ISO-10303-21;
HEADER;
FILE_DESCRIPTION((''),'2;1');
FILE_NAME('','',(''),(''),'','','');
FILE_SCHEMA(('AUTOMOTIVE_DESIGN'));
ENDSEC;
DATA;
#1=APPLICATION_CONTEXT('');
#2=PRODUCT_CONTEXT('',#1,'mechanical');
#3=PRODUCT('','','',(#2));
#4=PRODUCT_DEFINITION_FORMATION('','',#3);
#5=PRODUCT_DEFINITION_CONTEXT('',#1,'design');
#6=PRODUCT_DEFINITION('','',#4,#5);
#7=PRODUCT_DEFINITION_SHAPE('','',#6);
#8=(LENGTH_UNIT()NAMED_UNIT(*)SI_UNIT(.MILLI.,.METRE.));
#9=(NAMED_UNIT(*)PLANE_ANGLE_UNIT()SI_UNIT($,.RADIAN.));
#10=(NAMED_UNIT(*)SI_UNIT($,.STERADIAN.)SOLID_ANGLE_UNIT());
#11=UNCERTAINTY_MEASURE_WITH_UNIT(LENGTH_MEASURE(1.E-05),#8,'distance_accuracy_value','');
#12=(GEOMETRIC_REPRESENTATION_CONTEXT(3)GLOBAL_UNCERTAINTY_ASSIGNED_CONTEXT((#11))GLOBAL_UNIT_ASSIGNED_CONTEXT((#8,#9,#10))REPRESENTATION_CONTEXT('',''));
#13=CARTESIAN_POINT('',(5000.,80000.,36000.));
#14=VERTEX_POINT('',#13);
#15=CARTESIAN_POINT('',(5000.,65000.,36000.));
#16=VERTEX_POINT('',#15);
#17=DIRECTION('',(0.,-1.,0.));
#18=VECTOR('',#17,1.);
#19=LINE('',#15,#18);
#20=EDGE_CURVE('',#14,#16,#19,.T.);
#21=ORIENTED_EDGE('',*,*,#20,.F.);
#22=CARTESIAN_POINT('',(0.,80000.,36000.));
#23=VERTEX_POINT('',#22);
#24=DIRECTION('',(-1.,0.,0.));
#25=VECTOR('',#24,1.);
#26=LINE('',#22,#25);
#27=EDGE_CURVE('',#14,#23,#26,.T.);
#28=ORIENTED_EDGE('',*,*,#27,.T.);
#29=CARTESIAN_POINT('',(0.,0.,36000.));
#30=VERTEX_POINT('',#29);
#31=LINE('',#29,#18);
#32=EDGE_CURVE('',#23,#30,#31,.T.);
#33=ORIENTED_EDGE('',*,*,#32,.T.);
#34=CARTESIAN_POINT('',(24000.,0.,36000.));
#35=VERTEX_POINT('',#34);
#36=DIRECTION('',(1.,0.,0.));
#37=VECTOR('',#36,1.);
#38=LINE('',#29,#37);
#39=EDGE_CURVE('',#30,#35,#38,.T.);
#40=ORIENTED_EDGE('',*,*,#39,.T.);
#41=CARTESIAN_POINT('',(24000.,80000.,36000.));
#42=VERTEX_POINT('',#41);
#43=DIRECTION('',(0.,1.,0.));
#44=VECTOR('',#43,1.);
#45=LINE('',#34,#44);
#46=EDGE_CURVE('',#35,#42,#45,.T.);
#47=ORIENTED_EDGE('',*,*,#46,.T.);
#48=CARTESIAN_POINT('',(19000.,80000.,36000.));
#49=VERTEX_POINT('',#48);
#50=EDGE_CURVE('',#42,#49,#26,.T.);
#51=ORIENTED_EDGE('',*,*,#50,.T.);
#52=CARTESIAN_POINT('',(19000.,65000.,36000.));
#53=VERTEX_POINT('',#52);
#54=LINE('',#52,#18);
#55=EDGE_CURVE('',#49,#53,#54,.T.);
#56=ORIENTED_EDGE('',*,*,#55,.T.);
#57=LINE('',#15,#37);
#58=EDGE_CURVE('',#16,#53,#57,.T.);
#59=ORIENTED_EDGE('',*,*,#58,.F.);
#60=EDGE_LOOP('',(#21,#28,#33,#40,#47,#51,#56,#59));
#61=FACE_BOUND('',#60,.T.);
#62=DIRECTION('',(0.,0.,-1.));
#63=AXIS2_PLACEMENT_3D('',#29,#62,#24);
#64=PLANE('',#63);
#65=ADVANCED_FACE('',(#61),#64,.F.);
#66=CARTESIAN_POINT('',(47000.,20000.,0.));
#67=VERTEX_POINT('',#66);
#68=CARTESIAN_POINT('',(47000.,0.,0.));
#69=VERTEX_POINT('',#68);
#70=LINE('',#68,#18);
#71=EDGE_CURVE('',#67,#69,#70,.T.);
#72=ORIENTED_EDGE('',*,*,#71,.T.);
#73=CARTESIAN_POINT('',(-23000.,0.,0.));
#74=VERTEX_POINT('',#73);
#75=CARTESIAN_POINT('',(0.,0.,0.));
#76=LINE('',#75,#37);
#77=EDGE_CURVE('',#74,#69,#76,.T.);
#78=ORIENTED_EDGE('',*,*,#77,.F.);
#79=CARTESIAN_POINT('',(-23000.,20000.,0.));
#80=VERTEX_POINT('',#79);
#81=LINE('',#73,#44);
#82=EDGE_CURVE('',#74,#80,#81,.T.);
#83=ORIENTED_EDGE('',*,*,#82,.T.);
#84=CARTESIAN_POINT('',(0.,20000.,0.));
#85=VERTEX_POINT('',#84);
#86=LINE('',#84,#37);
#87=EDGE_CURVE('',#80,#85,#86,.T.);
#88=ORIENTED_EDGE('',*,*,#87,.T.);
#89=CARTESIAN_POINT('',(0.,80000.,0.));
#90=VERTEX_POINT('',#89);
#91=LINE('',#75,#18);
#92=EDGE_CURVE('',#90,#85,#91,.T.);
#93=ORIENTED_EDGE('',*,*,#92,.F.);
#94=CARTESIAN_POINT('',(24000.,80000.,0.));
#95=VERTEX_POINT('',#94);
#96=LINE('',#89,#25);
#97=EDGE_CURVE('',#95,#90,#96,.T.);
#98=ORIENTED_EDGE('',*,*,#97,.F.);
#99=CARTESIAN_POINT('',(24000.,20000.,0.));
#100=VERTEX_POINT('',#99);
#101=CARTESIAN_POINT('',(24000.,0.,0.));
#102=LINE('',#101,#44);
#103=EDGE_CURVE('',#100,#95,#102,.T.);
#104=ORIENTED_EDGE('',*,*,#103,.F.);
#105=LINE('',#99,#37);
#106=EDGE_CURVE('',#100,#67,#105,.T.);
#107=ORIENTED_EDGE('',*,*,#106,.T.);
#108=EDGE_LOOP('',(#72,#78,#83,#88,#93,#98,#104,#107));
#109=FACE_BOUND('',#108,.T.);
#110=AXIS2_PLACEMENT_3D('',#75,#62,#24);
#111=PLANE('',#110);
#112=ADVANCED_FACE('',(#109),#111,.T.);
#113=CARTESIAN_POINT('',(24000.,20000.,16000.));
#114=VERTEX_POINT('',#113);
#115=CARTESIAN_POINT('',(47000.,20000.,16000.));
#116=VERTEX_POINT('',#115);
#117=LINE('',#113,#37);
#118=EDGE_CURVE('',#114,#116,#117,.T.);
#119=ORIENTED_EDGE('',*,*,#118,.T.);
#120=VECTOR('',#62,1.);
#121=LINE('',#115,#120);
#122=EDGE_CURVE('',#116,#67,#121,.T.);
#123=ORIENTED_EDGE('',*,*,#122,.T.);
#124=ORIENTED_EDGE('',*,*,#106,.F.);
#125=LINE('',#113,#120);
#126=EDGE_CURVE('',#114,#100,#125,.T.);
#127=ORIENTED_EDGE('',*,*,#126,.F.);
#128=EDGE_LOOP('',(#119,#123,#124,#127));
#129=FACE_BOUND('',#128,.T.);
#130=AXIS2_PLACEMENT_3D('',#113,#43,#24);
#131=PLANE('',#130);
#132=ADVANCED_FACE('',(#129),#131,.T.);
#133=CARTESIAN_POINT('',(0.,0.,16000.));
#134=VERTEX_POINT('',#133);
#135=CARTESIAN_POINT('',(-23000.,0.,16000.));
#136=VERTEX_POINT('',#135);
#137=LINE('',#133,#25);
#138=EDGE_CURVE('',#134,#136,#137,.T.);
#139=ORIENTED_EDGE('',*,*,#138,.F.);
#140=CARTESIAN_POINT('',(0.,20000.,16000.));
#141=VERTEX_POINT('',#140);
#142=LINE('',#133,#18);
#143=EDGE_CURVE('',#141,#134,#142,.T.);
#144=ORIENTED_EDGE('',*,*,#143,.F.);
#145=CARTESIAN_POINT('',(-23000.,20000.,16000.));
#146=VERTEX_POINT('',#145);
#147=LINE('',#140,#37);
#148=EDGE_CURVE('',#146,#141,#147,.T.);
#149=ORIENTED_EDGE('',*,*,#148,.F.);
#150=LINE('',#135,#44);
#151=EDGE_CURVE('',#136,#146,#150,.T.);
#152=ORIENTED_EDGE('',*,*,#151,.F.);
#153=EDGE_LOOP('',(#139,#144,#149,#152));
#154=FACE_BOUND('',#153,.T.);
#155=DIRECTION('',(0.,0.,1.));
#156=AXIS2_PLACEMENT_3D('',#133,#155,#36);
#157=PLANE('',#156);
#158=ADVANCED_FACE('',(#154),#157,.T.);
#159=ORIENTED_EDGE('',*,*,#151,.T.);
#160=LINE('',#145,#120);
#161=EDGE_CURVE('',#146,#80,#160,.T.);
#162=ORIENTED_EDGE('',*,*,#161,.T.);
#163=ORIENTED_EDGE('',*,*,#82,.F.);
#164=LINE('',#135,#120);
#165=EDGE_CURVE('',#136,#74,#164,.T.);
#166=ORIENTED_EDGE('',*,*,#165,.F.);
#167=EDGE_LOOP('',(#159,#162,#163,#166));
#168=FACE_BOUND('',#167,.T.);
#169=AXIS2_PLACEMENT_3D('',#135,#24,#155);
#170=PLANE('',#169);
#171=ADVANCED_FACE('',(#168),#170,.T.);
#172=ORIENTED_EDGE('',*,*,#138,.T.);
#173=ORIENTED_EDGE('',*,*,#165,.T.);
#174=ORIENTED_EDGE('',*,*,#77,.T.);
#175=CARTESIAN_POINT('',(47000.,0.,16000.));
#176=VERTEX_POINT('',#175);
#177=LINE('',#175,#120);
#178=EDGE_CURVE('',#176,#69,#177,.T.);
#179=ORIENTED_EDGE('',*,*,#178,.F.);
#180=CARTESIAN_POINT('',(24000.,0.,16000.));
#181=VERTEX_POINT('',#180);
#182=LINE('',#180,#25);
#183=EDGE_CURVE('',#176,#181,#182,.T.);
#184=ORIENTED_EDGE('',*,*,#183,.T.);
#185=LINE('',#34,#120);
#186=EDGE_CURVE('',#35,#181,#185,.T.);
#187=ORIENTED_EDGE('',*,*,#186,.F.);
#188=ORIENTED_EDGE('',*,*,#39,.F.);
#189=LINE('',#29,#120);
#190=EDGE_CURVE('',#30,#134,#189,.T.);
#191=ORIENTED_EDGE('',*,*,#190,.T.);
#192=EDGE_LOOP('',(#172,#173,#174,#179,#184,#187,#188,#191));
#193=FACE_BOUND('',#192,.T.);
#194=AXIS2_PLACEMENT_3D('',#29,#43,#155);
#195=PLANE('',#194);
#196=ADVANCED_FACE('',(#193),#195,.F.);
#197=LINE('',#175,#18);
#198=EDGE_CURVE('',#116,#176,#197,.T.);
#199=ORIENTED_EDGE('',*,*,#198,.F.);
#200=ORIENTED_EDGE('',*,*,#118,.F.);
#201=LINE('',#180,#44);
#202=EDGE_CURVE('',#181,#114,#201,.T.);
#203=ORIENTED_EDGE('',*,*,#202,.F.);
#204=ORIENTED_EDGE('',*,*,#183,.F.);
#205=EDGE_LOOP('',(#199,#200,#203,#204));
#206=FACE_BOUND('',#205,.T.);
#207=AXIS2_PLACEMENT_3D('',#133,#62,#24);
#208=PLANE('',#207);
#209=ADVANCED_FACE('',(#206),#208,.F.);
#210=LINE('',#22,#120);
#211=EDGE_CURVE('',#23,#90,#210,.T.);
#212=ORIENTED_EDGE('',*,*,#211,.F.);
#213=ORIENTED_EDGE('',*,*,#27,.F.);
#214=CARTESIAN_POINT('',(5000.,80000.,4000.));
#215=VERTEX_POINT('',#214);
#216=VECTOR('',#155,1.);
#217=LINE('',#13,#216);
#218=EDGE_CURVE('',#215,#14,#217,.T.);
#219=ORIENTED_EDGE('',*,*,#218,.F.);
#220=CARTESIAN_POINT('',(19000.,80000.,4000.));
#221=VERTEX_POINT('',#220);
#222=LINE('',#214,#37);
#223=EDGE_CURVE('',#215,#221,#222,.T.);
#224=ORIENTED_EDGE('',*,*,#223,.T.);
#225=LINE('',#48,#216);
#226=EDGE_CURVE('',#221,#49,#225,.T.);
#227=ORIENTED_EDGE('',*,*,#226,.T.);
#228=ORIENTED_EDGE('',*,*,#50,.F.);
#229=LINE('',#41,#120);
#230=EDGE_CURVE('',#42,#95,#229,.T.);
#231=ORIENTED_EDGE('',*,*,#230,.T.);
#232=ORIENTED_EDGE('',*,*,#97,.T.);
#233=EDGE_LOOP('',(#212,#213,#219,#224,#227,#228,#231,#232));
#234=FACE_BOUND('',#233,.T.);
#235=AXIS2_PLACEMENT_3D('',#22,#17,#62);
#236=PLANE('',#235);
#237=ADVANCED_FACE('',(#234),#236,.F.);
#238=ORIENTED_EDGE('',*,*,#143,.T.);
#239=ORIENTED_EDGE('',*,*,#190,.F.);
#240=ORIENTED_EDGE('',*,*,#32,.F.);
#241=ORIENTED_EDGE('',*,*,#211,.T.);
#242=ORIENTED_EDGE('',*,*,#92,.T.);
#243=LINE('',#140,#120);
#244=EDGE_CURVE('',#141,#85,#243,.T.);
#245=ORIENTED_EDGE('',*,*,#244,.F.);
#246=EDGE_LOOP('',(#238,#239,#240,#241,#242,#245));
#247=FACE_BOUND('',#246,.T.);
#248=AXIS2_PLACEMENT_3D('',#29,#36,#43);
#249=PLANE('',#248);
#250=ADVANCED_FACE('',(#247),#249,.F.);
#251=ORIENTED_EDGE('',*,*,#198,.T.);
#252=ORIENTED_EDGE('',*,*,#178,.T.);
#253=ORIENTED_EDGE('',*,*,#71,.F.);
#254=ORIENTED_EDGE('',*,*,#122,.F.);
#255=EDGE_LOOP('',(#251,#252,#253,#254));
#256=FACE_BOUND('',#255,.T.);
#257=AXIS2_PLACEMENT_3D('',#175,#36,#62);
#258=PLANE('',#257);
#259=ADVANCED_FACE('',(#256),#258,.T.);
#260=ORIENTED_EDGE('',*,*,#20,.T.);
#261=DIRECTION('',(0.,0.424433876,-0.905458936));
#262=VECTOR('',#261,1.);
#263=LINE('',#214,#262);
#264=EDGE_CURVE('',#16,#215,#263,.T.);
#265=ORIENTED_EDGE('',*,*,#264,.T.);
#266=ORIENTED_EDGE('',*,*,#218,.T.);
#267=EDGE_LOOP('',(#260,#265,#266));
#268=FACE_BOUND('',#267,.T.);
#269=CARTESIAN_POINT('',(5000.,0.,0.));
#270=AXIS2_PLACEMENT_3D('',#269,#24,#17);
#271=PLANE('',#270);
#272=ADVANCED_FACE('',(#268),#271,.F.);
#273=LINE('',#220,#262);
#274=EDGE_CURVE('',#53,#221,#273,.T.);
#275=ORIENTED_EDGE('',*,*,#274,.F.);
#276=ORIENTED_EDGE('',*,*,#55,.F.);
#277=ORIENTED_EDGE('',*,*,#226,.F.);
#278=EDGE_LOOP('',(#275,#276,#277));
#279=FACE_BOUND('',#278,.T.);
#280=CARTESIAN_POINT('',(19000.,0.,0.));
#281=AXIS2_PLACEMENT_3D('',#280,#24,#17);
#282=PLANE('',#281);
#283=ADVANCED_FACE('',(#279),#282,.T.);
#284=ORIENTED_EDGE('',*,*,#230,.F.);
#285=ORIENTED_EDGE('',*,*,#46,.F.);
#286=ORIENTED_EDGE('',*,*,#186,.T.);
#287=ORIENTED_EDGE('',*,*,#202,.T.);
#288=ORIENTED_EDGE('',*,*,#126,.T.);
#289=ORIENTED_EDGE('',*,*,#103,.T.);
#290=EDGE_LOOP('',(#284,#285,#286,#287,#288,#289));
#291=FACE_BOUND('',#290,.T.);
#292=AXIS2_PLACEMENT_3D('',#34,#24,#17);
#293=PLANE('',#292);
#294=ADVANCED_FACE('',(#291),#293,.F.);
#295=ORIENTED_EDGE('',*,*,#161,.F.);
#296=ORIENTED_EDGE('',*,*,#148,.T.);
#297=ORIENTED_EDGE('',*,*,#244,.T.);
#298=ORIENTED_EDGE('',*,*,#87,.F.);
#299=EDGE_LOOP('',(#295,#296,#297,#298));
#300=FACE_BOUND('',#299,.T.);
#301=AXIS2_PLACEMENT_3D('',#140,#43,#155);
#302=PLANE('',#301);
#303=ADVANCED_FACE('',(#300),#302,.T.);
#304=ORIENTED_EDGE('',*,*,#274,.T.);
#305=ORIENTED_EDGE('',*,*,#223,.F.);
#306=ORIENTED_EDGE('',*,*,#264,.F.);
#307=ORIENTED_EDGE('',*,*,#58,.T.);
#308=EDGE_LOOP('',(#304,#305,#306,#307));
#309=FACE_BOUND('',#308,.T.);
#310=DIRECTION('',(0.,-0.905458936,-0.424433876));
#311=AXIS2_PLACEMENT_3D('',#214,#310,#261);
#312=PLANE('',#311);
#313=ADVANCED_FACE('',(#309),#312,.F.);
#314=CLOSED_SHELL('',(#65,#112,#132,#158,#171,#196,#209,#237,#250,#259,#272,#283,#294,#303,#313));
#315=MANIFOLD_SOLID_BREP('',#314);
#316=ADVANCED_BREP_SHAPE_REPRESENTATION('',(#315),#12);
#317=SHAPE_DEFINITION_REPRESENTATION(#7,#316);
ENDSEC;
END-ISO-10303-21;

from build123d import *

# Parameters (mm, degrees)
SKETCH1_W           = 24000
SKETCH1_H           = 80000
BOSS_EXTRUDE1_DEPTH = 36000
CUT_EXTRUDE1_START  = -5000
CUT_EXTRUDE1_DEPTH  = 14000
SKETCH3_W           = 23000
SKETCH3_H           = 20000
BOSS_EXTRUDE2_DEPTH = 16000


with BuildPart() as part:
    # Sketch1 → Boss-Extrude1 (new body)
    with BuildSketch(Plane.XY):
        with Locations((12000, 40000)):
            Rectangle(SKETCH1_W, SKETCH1_H)
    extrude(amount=BOSS_EXTRUDE1_DEPTH)

    # Sketch2 → Cut-Extrude1 (cut)
    with BuildSketch(Plane(origin=(24000, 0, 0), x_dir=(0, 0, -1), z_dir=(1, 0, 0)).offset(CUT_EXTRUDE1_START)):
        Polygon((-36000, 80000), (-4000, 80000), (-36000, 65000), align=None)
    extrude(amount=-CUT_EXTRUDE1_DEPTH, mode=Mode.SUBTRACT)

    # Sketch3 → Boss-Extrude2 (add)
    with BuildSketch(Plane(origin=(0, 0, 0), x_dir=(-1, 0, 0), z_dir=(0, 0, -1))):
        with Locations((-35500, 10000)):
            Rectangle(SKETCH3_W, SKETCH3_H)
        with Locations((11500, 10000)):
            Rectangle(SKETCH3_W, SKETCH3_H)
    extrude(amount=-BOSS_EXTRUDE2_DEPTH)


solid = part.part
